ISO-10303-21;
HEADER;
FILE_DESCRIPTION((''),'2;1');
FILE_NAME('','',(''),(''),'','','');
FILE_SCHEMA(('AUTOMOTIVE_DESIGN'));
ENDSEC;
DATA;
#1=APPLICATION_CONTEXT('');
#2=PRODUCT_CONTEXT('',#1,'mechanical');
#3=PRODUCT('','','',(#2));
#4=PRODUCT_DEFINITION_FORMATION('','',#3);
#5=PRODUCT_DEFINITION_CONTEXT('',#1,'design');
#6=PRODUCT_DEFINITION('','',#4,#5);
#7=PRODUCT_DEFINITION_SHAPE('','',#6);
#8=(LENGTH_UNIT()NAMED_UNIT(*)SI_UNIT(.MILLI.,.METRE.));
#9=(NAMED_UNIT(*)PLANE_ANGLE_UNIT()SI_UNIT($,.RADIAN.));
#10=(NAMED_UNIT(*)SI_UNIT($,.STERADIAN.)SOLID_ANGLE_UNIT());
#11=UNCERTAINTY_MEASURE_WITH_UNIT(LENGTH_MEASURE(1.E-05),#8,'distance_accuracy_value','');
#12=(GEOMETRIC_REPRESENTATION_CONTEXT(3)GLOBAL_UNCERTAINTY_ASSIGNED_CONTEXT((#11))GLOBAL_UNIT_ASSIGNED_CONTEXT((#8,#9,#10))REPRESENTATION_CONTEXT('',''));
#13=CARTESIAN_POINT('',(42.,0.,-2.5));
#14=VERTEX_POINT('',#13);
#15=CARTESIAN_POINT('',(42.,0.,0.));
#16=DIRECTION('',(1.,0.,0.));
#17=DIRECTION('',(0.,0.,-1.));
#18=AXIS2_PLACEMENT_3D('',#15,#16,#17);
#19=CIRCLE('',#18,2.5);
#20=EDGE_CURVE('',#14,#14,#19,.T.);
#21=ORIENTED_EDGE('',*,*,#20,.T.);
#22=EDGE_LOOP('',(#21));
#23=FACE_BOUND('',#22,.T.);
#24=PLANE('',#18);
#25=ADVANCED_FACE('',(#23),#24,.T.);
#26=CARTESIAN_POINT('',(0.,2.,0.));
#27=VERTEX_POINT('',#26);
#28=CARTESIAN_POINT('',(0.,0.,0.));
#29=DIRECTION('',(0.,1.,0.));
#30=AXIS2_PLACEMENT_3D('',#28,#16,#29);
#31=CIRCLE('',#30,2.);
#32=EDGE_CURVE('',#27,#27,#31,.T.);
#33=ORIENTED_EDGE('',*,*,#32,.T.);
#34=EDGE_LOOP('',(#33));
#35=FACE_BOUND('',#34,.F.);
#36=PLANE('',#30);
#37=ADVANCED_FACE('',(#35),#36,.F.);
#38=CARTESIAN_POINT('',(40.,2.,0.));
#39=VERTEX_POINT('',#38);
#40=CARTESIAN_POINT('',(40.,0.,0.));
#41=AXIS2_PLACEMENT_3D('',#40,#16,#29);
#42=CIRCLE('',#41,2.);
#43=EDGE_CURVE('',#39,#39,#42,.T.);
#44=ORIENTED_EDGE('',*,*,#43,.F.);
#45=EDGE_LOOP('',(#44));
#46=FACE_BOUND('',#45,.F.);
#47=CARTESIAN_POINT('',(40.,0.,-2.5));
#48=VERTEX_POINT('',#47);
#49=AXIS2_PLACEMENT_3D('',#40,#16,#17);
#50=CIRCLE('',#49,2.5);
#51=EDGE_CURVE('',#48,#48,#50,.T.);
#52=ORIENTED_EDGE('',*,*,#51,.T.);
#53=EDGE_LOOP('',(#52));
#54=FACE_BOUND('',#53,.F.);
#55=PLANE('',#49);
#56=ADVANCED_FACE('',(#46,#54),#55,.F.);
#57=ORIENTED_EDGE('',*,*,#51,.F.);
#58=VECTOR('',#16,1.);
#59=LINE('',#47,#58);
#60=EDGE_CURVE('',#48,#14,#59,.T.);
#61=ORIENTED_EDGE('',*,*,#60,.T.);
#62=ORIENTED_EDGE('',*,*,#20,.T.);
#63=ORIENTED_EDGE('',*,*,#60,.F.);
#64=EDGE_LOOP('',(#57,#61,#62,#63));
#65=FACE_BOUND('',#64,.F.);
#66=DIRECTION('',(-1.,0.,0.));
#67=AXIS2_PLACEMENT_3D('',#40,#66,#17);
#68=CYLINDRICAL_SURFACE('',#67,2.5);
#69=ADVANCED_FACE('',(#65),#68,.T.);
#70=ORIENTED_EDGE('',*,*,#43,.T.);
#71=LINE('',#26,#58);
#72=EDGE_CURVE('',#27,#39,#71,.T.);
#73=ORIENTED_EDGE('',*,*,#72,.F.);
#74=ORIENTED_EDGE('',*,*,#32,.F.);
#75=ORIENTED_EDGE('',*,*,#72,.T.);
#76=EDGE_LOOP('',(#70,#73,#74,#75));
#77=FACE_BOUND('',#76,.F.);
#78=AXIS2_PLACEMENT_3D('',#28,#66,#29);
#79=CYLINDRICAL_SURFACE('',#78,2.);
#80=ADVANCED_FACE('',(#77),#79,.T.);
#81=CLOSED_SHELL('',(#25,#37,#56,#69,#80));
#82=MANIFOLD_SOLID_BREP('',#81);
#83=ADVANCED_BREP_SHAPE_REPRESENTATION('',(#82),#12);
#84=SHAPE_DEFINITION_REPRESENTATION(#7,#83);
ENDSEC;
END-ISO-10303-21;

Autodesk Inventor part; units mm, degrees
ref_plane "YZ Plane" through (0, 0, 0) normal (1, 0, 0) x (0, 1, 0)
ref_plane "XZ Plane" through (0, 0, 0) normal (0, 1, 0) x (-1, 0, 0)
ref_plane "XY Plane" through (0, 0, 0) normal (0, 0, 1) x (1, 0, 0)
sketch "Sketch1" plane through (0, 0, 0) normal (1, 0, 0) x (0, 1, 0)
  circle A0 centre (0, 0) radius 2
  dimension "d0" = 4
extrude "Extrusion1" add sketch "Sketch1" along normal blind 40
sketch "Sketch2" plane through (40, 0, 0) normal (1, 0, 0) x (0, 0, -1)
  circle A0 centre (0, 0) radius 2 projected
  circle A1 centre (0, 0) radius 2.5
  dimension "d3" = 5
extrude "Extrusion2" add sketch "Sketch2" along normal blind 2 contours A0 | A1
properties part number "fakeM4BoltLonger"
